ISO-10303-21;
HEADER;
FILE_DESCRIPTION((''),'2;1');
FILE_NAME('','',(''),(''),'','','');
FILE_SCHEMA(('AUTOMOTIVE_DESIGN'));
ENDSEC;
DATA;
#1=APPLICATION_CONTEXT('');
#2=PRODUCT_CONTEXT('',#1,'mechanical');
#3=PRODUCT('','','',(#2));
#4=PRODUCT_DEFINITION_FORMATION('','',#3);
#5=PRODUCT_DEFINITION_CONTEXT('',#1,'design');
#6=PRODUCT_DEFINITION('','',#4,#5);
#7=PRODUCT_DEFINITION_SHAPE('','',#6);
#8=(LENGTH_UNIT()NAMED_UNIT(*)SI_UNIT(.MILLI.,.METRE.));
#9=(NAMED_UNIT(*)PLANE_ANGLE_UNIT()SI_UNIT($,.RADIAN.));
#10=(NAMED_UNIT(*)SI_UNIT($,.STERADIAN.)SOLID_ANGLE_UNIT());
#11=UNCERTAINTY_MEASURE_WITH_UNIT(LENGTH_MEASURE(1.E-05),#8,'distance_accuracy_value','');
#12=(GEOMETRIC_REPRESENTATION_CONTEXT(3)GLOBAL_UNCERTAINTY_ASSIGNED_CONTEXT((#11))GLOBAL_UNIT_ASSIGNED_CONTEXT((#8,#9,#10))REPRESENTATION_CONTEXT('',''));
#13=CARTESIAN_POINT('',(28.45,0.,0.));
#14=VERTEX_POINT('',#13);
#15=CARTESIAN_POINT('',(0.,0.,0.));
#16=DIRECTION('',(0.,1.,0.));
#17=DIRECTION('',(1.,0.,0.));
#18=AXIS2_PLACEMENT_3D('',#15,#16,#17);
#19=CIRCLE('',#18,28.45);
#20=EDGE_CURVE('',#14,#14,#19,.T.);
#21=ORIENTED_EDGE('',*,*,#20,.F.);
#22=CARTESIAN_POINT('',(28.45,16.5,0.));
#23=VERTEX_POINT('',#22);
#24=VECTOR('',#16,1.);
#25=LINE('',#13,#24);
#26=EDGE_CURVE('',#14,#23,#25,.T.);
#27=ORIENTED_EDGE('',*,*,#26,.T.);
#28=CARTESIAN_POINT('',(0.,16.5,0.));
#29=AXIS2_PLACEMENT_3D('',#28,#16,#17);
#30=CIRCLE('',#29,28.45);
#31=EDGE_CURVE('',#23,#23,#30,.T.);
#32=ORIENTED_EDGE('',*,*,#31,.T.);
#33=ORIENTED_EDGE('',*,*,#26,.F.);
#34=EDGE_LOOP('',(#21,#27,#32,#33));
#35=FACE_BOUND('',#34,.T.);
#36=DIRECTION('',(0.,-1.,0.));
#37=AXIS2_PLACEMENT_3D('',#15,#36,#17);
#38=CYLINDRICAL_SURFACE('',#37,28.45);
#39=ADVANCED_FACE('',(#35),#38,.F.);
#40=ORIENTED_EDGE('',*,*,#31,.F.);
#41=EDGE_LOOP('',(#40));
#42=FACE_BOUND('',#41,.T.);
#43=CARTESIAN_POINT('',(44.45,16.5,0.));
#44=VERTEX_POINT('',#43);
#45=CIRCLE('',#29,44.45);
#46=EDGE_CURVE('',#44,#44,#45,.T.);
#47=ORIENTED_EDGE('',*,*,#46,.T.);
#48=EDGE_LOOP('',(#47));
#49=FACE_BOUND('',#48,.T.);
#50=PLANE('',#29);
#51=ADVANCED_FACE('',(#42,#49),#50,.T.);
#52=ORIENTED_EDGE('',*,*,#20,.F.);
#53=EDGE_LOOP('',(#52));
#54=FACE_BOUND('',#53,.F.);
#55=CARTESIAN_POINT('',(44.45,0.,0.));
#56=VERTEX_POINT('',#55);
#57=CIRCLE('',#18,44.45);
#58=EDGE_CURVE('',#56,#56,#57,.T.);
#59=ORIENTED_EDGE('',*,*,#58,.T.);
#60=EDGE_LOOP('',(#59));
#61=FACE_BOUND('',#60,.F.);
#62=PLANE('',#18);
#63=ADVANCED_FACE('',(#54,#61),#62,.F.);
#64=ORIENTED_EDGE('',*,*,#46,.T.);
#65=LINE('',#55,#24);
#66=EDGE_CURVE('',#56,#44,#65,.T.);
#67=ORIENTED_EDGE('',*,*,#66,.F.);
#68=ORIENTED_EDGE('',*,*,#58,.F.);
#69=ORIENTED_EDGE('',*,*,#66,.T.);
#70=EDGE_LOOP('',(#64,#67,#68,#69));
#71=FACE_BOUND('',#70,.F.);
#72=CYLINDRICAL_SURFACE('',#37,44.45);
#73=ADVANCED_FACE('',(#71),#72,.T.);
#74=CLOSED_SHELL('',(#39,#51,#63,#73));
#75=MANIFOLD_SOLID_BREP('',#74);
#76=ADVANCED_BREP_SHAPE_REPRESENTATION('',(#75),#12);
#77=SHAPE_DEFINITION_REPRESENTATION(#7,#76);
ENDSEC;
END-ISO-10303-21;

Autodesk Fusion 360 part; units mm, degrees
sketch "Sketch1" plane through (0, 0, 0) normal (0, 1, 0) x (1, 0, 0)
  circle A0 centre (0, 0) radius 28.45
  circle A1 centre (0, 0) radius 44.45
  dimension "d1" = 56.9
  dimension "d2" = 88.9
extrude "Extrude1" add sketch "Sketch1" along normal blind 16.5
